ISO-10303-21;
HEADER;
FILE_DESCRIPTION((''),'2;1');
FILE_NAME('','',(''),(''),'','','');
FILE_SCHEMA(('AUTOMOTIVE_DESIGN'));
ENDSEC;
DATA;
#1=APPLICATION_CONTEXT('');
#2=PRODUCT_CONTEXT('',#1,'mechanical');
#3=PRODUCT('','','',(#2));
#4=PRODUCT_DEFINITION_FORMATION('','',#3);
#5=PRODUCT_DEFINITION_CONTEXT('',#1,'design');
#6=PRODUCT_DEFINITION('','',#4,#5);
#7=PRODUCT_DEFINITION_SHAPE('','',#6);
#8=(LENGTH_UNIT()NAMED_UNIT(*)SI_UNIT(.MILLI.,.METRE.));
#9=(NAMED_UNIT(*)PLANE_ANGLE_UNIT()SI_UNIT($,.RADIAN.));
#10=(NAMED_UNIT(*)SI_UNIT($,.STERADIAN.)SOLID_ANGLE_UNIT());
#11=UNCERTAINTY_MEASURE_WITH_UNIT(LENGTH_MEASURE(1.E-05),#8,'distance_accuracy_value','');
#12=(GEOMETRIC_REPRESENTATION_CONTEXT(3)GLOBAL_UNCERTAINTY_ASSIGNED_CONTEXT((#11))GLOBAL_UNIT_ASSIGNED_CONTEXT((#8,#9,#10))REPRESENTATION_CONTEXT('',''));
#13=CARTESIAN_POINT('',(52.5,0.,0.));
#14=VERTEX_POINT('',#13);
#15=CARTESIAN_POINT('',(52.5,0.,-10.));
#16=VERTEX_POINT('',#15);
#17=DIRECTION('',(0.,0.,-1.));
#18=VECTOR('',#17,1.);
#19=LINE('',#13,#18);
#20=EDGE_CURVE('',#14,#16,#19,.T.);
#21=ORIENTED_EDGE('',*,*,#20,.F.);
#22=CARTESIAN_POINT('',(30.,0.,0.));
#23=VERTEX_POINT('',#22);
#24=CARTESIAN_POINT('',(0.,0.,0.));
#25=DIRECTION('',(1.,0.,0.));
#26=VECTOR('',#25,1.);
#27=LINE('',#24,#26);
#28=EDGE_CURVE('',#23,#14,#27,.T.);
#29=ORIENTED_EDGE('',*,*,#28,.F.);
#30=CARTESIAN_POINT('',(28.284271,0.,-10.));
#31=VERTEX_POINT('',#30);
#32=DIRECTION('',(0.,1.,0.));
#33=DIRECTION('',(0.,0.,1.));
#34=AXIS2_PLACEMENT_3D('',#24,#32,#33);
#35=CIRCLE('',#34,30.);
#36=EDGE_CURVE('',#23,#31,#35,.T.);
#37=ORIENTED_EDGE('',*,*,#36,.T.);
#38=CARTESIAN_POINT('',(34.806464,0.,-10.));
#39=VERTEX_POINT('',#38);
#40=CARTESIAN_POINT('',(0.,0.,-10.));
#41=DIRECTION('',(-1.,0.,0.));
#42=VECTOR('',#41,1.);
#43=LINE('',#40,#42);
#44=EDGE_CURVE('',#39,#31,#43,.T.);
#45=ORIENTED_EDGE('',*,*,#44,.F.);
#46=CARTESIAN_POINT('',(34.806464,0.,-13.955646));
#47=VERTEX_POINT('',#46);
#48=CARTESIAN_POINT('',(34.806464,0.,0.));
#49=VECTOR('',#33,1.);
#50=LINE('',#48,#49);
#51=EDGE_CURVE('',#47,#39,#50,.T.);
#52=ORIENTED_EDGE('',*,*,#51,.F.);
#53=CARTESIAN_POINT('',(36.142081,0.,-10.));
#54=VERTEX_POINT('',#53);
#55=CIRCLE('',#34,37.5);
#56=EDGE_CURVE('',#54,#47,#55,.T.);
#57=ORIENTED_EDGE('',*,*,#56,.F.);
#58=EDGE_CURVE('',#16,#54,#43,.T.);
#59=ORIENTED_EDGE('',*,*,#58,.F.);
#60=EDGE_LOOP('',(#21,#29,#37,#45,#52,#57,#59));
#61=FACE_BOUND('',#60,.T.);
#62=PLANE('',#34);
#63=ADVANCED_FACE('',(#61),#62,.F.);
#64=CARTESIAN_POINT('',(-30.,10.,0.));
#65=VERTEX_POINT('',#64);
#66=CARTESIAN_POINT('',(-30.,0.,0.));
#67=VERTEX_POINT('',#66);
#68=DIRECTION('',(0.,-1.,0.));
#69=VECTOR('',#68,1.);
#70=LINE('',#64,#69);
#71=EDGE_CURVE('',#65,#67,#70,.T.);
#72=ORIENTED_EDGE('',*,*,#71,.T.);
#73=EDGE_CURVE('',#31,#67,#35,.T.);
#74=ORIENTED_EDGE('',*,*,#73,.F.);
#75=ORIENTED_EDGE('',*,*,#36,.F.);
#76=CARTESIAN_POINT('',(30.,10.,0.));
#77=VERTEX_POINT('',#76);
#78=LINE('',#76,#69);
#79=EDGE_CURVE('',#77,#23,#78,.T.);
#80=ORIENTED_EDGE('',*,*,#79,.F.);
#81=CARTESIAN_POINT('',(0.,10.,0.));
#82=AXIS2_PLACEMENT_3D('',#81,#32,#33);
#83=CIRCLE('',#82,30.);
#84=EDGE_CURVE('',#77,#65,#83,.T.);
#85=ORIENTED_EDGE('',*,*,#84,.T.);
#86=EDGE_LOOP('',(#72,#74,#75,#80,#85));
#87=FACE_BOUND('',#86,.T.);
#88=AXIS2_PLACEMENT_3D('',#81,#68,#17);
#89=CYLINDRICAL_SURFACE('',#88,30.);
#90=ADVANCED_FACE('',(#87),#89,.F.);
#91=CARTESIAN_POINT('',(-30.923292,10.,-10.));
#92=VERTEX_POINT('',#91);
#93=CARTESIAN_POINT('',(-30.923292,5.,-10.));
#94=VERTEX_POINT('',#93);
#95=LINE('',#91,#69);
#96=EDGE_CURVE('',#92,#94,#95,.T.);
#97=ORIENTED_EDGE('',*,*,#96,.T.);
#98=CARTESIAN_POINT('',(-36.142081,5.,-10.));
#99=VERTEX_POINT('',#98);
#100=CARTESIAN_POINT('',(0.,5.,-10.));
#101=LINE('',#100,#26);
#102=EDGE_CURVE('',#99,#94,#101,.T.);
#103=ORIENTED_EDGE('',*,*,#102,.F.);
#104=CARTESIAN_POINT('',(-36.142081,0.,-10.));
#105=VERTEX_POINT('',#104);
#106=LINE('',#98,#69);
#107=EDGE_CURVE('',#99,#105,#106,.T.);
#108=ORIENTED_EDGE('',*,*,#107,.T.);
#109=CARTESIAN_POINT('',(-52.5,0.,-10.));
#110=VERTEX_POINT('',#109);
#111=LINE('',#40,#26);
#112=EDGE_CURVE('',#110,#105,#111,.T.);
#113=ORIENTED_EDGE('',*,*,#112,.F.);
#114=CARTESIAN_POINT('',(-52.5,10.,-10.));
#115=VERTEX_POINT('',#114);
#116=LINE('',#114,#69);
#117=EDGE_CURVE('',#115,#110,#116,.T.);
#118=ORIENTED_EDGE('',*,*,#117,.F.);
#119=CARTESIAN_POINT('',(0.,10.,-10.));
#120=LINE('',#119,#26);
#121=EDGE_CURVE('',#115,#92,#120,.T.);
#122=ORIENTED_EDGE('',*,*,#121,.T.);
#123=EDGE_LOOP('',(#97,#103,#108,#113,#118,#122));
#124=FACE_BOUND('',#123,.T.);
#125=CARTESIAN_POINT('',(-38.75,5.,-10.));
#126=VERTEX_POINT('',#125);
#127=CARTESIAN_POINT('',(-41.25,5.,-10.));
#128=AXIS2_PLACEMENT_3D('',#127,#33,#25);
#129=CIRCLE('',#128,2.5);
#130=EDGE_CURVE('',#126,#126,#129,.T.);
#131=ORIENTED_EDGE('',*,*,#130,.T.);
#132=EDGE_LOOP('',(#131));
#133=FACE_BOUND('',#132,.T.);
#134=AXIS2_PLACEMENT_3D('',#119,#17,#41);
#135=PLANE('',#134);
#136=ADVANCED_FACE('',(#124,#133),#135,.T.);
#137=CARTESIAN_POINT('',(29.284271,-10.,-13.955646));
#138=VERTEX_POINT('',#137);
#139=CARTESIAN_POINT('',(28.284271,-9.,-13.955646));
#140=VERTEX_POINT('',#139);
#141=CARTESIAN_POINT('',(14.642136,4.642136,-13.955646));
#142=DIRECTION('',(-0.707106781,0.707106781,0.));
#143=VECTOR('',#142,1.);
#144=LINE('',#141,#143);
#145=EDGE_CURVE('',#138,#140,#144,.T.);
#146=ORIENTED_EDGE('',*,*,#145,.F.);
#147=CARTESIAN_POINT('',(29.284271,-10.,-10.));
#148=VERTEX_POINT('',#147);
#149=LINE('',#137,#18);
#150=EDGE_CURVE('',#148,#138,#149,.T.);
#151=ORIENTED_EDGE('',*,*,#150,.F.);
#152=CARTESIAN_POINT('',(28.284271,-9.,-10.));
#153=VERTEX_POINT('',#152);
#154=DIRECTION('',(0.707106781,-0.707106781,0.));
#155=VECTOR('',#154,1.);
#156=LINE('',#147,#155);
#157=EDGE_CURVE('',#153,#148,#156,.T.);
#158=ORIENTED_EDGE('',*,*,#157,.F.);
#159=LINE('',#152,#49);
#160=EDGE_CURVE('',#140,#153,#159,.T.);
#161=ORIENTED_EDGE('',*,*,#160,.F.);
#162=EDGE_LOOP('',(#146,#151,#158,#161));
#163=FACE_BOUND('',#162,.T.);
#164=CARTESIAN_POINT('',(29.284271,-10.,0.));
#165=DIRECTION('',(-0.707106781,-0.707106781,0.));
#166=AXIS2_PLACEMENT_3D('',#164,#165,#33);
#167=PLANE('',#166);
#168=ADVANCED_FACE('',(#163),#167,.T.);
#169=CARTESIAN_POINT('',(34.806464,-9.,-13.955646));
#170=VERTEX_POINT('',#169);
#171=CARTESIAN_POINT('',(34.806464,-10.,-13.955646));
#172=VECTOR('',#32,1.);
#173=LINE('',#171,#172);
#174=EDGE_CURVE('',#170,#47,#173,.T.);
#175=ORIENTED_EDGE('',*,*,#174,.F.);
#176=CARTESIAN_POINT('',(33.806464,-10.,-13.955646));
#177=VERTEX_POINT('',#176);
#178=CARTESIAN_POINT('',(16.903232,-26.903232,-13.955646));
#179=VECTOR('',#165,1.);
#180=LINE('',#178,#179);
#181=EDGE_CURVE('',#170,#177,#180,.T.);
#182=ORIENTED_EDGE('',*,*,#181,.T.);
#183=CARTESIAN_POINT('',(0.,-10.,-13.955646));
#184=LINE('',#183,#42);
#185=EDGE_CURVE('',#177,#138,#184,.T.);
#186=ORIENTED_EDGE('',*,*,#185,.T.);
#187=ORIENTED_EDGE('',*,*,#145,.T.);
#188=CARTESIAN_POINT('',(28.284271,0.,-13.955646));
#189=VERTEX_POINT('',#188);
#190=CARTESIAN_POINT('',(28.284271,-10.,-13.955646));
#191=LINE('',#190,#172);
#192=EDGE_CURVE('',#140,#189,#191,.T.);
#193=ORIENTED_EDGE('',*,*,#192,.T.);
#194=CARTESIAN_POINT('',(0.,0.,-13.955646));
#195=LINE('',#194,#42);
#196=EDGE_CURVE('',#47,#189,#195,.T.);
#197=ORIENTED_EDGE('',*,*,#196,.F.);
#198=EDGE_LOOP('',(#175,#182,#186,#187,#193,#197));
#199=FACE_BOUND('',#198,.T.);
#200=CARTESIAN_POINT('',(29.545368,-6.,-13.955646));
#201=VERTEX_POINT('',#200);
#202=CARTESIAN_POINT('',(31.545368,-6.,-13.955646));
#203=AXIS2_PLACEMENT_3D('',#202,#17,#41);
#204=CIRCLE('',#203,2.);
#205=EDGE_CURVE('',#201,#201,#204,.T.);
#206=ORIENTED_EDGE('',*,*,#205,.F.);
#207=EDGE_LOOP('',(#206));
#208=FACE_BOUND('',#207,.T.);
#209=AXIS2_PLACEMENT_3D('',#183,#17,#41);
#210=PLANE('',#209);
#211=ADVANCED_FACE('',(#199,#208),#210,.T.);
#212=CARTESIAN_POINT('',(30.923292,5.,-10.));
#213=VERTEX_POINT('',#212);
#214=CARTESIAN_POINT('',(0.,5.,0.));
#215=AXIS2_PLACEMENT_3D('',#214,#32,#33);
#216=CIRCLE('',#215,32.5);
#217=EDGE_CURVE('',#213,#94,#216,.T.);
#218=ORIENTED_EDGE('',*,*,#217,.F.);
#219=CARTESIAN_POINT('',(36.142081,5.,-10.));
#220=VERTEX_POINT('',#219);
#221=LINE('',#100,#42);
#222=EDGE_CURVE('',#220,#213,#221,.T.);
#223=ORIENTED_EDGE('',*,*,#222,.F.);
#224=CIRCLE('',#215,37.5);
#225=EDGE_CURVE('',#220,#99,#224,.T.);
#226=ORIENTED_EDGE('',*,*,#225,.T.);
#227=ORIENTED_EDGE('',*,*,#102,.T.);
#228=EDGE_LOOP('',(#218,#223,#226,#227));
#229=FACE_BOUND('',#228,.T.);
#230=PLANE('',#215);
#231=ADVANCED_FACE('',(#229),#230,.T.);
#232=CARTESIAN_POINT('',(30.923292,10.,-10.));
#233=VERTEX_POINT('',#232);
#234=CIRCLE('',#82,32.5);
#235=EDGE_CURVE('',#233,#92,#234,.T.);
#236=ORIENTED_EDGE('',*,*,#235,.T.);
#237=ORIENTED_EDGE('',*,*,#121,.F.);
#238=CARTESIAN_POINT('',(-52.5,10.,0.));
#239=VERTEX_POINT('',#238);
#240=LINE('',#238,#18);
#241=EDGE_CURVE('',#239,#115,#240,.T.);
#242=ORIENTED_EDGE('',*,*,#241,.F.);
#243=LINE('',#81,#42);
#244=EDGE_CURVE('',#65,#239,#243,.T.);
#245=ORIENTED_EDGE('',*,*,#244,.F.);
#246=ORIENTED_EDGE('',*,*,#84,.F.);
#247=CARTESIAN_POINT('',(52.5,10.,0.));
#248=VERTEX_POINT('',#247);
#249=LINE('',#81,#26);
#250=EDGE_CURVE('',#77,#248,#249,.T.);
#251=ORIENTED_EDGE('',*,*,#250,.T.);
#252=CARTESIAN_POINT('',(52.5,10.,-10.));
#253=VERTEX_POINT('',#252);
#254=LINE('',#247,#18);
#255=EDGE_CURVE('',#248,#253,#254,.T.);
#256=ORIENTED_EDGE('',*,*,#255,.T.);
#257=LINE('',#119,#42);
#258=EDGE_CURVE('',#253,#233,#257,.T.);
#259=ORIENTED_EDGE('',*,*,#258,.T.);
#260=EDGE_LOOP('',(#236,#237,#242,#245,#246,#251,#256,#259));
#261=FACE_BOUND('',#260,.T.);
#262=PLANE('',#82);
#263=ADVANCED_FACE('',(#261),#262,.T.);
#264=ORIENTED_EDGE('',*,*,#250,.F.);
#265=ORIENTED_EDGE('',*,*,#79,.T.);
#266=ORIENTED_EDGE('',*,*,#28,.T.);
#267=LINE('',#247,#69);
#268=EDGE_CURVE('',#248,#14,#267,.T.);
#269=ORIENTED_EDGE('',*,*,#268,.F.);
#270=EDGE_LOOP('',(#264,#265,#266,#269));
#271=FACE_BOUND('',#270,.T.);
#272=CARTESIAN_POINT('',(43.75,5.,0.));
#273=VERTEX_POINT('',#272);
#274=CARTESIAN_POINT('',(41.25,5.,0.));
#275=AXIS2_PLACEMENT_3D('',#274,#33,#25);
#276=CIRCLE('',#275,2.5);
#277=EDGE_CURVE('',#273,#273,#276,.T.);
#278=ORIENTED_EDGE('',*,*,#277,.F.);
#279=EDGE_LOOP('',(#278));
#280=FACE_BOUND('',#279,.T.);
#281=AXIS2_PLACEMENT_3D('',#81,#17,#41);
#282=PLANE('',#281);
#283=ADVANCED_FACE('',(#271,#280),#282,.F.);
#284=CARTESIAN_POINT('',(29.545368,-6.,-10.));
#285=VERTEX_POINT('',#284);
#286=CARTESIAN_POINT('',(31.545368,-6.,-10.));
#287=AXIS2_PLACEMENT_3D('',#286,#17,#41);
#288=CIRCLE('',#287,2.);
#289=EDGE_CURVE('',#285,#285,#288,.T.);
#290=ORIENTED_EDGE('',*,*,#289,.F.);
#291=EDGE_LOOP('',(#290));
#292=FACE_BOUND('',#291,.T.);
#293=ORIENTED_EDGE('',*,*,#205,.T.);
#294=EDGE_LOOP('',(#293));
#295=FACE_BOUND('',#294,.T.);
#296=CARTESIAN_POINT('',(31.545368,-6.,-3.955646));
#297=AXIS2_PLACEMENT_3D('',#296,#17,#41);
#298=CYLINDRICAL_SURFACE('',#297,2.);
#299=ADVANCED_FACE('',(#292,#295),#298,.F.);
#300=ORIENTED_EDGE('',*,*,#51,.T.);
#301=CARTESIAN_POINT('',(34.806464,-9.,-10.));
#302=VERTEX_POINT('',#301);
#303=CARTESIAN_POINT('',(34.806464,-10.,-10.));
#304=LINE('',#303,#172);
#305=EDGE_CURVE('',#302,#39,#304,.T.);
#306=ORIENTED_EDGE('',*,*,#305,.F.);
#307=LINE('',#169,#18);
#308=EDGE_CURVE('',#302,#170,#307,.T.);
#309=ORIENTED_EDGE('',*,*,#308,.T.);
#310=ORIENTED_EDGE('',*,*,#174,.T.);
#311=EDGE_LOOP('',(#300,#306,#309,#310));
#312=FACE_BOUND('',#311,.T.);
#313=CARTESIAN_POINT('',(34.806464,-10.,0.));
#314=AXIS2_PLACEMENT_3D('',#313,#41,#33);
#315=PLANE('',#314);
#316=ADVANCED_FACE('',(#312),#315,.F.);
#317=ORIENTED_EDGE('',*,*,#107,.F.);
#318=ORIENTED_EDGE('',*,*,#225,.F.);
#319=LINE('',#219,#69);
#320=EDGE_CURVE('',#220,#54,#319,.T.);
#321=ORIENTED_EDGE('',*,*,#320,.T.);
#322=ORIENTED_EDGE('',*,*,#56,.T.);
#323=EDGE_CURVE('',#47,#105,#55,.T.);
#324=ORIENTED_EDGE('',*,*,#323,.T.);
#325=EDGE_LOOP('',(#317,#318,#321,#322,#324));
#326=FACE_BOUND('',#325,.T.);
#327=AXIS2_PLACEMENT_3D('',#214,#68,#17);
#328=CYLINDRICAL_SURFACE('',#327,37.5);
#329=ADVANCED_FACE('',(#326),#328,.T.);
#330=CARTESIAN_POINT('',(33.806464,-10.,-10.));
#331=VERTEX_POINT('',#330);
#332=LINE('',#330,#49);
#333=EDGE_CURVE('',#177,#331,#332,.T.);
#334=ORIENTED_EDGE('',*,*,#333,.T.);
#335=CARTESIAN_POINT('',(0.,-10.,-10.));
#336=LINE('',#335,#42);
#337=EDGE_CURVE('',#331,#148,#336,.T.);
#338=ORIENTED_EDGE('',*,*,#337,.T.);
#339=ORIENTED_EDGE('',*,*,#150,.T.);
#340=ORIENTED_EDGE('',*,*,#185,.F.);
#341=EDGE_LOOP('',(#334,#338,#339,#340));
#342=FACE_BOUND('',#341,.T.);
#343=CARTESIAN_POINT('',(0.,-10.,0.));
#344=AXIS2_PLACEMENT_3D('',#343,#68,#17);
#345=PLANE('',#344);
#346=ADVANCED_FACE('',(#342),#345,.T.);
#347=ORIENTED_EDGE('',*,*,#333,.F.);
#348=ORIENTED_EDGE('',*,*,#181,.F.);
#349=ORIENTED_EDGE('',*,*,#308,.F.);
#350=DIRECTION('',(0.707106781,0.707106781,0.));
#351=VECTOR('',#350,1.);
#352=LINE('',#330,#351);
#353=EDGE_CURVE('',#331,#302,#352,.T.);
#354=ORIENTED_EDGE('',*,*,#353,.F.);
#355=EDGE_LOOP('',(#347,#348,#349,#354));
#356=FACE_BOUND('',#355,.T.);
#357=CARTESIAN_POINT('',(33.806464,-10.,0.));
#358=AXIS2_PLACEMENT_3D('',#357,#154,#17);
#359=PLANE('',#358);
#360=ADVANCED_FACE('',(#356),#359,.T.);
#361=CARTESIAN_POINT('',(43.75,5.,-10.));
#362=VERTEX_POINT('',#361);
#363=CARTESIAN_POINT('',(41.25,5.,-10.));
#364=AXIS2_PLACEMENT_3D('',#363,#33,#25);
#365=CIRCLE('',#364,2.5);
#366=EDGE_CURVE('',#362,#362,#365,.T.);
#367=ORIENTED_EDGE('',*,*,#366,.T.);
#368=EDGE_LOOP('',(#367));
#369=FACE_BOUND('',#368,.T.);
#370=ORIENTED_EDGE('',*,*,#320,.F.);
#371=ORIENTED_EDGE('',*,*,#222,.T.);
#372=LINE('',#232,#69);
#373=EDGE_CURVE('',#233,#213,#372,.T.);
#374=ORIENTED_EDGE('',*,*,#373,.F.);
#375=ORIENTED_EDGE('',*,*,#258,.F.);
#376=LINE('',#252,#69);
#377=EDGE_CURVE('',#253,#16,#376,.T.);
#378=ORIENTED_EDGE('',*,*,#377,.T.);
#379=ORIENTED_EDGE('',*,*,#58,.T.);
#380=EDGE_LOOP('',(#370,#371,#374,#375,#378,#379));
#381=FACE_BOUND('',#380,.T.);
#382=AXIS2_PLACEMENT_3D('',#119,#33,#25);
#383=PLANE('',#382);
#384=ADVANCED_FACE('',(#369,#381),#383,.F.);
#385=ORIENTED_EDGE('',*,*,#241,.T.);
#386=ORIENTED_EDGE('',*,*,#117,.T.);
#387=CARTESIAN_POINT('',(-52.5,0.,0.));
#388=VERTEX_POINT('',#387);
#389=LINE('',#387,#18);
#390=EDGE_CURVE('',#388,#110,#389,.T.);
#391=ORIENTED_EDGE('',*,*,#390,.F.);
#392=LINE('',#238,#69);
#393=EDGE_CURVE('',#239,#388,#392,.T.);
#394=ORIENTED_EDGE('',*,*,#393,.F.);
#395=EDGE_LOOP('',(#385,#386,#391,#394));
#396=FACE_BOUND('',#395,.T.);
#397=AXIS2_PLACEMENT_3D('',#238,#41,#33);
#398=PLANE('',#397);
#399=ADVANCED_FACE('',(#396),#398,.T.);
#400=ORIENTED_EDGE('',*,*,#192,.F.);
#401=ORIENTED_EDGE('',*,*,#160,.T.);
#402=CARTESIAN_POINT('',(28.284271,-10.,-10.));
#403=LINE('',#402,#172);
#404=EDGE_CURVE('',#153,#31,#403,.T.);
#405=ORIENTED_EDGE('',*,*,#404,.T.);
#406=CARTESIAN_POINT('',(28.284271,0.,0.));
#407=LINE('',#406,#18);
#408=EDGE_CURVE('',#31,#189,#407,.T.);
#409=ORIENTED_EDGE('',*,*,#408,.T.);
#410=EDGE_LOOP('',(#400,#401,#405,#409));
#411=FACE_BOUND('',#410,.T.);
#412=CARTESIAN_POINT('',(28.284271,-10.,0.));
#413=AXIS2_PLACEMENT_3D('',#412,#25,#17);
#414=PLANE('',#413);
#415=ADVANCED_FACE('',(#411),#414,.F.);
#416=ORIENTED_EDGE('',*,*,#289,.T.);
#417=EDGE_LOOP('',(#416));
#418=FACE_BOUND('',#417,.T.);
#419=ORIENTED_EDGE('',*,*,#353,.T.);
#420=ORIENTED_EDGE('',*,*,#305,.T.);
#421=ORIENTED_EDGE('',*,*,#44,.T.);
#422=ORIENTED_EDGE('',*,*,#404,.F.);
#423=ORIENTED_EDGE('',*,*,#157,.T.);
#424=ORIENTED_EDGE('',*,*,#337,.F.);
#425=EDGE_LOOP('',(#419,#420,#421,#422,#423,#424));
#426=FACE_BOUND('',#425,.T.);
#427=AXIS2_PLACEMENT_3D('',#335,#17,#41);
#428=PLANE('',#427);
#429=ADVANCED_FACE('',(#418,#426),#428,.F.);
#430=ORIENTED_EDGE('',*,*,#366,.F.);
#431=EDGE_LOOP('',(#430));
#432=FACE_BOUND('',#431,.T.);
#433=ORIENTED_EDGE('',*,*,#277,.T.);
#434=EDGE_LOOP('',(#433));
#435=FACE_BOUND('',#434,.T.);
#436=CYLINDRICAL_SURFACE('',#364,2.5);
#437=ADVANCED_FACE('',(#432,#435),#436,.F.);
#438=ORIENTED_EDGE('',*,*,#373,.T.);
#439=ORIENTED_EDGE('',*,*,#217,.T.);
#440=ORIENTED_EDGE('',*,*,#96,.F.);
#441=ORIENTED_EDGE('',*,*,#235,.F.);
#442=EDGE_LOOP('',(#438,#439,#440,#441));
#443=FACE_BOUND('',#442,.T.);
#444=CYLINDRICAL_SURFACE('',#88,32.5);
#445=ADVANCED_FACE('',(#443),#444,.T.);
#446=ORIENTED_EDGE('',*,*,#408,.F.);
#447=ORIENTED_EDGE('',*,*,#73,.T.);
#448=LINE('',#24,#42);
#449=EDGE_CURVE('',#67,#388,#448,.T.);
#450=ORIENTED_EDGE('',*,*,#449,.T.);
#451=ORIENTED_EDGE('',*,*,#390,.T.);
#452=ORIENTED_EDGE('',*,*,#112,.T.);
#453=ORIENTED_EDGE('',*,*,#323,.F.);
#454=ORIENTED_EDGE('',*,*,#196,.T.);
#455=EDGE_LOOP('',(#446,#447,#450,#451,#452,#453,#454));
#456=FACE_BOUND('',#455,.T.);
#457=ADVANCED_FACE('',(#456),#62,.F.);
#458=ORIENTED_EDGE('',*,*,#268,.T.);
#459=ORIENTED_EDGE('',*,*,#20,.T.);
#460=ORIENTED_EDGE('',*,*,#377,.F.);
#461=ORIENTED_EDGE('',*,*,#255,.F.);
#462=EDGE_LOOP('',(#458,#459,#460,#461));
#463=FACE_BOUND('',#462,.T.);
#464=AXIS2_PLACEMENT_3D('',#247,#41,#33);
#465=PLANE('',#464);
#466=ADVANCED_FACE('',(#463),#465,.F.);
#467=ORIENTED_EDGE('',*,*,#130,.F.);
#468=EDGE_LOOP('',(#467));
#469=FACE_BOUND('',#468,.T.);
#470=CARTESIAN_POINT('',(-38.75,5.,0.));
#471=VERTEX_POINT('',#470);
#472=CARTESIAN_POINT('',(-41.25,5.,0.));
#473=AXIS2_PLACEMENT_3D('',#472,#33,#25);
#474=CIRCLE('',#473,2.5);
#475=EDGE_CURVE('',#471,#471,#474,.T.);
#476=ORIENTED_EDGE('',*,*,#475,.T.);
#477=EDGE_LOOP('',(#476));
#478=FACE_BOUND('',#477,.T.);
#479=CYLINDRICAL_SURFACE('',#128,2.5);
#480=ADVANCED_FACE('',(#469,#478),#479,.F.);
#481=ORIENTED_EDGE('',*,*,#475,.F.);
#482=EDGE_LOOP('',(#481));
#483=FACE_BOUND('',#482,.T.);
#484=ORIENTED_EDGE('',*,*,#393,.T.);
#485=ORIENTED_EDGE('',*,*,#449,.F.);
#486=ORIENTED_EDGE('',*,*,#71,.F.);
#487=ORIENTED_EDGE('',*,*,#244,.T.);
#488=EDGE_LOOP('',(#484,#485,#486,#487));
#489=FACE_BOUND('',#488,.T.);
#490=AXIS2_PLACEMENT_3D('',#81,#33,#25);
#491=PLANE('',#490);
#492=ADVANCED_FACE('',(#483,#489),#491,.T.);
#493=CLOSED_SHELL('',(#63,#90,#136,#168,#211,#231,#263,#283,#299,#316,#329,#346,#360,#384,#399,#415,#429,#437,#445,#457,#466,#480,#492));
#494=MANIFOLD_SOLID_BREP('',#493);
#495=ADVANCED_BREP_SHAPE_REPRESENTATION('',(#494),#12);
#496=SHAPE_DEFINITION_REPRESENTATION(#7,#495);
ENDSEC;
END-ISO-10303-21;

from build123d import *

# Parameters (mm, degrees)
BOSS_EXTRUDE1_DEPTH = 10
SKETCH3_R           = 2.5
CUT_EXTRUDE1_DEPTH  = 10
BOSS_EXTRUDE2_DEPTH = 5
SKETCH9_W           = 6.522192951
SKETCH9_H           = 3.955645811
BOSS_EXTRUDE3_DEPTH = 10
CHAMFER1_SIZE       = 1
SKETCH12_R          = 2
CUT_EXTRUDE4_DEPTH  = 10


with BuildPart() as part:
    # Sketch1 → Boss-Extrude1 (new body)
    with BuildSketch(Plane(origin=(0, 0, 0), x_dir=(1, 0, 0), z_dir=(0, 1, 0))):
        with BuildLine():
            Line((52.5, 10), (30.923292192, 10))
            ThreePointArc((30.923292192, 10), (0, 32.5), (-30.923292192, 10))
            Line((-30.923292192, 10), (-52.5, 10))
            Line((-52.5, 10), (-52.5, 0))
            Line((-52.5, 0), (-30, 0))
            ThreePointArc((-30, 0), (0, 30), (30, 0))
            Line((30, 0), (52.5, 0))
            Line((52.5, 0), (52.5, 10))
        make_face()
    extrude(amount=BOSS_EXTRUDE1_DEPTH)

    # Sketch3 → Cut-Extrude1 (cut)
    with BuildSketch(Plane.XY):
        with Locations((-41.25, 5)):
            Circle(SKETCH3_R)
        with Locations((41.25, 5)):
            Circle(SKETCH3_R)
    extrude(amount=-CUT_EXTRUDE1_DEPTH, mode=Mode.SUBTRACT)

    # Sketch5 → Boss-Extrude2 (add)
    with BuildSketch(Plane(origin=(0, 0, 0), x_dir=(1, 0, 0), z_dir=(0, 1, 0))):
        with BuildLine():
            ThreePointArc((37.5, 0), (0, 37.5), (-37.5, 0))
            Line((-37.5, 0), (-32.5, 0))
            ThreePointArc((-32.5, 0), (0, 32.5), (32.5, 0))
            Line((32.5, 0), (37.5, 0))
        make_face()
    extrude(amount=BOSS_EXTRUDE2_DEPTH)

    # Sketch9 → Boss-Extrude3 (add)
    with BuildSketch(Plane.XZ):
        with Locations((31.545367723, -11.977822906)):
            Rectangle(SKETCH9_W, SKETCH9_H)
    extrude(amount=BOSS_EXTRUDE3_DEPTH)

    # Chamfer1
    chamfer1_edges = [part.edges().sort_by_distance(p)[0] for p in [
        (28.284271247, -10, -11.977822906),
        (34.806464198, -10, -11.977822906),
    ]]
    chamfer(chamfer1_edges, length=CHAMFER1_SIZE)

    # Sketch12 → Cut-Extrude4 (cut)
    with BuildSketch(Plane(origin=(0, 0, -13.955645811), x_dir=(-1, 0, 0), z_dir=(0, 0, -1))):
        with Locations((-31.545367723, -6)):
            Circle(SKETCH12_R)
    extrude(amount=-CUT_EXTRUDE4_DEPTH, mode=Mode.SUBTRACT)


solid = part.part
